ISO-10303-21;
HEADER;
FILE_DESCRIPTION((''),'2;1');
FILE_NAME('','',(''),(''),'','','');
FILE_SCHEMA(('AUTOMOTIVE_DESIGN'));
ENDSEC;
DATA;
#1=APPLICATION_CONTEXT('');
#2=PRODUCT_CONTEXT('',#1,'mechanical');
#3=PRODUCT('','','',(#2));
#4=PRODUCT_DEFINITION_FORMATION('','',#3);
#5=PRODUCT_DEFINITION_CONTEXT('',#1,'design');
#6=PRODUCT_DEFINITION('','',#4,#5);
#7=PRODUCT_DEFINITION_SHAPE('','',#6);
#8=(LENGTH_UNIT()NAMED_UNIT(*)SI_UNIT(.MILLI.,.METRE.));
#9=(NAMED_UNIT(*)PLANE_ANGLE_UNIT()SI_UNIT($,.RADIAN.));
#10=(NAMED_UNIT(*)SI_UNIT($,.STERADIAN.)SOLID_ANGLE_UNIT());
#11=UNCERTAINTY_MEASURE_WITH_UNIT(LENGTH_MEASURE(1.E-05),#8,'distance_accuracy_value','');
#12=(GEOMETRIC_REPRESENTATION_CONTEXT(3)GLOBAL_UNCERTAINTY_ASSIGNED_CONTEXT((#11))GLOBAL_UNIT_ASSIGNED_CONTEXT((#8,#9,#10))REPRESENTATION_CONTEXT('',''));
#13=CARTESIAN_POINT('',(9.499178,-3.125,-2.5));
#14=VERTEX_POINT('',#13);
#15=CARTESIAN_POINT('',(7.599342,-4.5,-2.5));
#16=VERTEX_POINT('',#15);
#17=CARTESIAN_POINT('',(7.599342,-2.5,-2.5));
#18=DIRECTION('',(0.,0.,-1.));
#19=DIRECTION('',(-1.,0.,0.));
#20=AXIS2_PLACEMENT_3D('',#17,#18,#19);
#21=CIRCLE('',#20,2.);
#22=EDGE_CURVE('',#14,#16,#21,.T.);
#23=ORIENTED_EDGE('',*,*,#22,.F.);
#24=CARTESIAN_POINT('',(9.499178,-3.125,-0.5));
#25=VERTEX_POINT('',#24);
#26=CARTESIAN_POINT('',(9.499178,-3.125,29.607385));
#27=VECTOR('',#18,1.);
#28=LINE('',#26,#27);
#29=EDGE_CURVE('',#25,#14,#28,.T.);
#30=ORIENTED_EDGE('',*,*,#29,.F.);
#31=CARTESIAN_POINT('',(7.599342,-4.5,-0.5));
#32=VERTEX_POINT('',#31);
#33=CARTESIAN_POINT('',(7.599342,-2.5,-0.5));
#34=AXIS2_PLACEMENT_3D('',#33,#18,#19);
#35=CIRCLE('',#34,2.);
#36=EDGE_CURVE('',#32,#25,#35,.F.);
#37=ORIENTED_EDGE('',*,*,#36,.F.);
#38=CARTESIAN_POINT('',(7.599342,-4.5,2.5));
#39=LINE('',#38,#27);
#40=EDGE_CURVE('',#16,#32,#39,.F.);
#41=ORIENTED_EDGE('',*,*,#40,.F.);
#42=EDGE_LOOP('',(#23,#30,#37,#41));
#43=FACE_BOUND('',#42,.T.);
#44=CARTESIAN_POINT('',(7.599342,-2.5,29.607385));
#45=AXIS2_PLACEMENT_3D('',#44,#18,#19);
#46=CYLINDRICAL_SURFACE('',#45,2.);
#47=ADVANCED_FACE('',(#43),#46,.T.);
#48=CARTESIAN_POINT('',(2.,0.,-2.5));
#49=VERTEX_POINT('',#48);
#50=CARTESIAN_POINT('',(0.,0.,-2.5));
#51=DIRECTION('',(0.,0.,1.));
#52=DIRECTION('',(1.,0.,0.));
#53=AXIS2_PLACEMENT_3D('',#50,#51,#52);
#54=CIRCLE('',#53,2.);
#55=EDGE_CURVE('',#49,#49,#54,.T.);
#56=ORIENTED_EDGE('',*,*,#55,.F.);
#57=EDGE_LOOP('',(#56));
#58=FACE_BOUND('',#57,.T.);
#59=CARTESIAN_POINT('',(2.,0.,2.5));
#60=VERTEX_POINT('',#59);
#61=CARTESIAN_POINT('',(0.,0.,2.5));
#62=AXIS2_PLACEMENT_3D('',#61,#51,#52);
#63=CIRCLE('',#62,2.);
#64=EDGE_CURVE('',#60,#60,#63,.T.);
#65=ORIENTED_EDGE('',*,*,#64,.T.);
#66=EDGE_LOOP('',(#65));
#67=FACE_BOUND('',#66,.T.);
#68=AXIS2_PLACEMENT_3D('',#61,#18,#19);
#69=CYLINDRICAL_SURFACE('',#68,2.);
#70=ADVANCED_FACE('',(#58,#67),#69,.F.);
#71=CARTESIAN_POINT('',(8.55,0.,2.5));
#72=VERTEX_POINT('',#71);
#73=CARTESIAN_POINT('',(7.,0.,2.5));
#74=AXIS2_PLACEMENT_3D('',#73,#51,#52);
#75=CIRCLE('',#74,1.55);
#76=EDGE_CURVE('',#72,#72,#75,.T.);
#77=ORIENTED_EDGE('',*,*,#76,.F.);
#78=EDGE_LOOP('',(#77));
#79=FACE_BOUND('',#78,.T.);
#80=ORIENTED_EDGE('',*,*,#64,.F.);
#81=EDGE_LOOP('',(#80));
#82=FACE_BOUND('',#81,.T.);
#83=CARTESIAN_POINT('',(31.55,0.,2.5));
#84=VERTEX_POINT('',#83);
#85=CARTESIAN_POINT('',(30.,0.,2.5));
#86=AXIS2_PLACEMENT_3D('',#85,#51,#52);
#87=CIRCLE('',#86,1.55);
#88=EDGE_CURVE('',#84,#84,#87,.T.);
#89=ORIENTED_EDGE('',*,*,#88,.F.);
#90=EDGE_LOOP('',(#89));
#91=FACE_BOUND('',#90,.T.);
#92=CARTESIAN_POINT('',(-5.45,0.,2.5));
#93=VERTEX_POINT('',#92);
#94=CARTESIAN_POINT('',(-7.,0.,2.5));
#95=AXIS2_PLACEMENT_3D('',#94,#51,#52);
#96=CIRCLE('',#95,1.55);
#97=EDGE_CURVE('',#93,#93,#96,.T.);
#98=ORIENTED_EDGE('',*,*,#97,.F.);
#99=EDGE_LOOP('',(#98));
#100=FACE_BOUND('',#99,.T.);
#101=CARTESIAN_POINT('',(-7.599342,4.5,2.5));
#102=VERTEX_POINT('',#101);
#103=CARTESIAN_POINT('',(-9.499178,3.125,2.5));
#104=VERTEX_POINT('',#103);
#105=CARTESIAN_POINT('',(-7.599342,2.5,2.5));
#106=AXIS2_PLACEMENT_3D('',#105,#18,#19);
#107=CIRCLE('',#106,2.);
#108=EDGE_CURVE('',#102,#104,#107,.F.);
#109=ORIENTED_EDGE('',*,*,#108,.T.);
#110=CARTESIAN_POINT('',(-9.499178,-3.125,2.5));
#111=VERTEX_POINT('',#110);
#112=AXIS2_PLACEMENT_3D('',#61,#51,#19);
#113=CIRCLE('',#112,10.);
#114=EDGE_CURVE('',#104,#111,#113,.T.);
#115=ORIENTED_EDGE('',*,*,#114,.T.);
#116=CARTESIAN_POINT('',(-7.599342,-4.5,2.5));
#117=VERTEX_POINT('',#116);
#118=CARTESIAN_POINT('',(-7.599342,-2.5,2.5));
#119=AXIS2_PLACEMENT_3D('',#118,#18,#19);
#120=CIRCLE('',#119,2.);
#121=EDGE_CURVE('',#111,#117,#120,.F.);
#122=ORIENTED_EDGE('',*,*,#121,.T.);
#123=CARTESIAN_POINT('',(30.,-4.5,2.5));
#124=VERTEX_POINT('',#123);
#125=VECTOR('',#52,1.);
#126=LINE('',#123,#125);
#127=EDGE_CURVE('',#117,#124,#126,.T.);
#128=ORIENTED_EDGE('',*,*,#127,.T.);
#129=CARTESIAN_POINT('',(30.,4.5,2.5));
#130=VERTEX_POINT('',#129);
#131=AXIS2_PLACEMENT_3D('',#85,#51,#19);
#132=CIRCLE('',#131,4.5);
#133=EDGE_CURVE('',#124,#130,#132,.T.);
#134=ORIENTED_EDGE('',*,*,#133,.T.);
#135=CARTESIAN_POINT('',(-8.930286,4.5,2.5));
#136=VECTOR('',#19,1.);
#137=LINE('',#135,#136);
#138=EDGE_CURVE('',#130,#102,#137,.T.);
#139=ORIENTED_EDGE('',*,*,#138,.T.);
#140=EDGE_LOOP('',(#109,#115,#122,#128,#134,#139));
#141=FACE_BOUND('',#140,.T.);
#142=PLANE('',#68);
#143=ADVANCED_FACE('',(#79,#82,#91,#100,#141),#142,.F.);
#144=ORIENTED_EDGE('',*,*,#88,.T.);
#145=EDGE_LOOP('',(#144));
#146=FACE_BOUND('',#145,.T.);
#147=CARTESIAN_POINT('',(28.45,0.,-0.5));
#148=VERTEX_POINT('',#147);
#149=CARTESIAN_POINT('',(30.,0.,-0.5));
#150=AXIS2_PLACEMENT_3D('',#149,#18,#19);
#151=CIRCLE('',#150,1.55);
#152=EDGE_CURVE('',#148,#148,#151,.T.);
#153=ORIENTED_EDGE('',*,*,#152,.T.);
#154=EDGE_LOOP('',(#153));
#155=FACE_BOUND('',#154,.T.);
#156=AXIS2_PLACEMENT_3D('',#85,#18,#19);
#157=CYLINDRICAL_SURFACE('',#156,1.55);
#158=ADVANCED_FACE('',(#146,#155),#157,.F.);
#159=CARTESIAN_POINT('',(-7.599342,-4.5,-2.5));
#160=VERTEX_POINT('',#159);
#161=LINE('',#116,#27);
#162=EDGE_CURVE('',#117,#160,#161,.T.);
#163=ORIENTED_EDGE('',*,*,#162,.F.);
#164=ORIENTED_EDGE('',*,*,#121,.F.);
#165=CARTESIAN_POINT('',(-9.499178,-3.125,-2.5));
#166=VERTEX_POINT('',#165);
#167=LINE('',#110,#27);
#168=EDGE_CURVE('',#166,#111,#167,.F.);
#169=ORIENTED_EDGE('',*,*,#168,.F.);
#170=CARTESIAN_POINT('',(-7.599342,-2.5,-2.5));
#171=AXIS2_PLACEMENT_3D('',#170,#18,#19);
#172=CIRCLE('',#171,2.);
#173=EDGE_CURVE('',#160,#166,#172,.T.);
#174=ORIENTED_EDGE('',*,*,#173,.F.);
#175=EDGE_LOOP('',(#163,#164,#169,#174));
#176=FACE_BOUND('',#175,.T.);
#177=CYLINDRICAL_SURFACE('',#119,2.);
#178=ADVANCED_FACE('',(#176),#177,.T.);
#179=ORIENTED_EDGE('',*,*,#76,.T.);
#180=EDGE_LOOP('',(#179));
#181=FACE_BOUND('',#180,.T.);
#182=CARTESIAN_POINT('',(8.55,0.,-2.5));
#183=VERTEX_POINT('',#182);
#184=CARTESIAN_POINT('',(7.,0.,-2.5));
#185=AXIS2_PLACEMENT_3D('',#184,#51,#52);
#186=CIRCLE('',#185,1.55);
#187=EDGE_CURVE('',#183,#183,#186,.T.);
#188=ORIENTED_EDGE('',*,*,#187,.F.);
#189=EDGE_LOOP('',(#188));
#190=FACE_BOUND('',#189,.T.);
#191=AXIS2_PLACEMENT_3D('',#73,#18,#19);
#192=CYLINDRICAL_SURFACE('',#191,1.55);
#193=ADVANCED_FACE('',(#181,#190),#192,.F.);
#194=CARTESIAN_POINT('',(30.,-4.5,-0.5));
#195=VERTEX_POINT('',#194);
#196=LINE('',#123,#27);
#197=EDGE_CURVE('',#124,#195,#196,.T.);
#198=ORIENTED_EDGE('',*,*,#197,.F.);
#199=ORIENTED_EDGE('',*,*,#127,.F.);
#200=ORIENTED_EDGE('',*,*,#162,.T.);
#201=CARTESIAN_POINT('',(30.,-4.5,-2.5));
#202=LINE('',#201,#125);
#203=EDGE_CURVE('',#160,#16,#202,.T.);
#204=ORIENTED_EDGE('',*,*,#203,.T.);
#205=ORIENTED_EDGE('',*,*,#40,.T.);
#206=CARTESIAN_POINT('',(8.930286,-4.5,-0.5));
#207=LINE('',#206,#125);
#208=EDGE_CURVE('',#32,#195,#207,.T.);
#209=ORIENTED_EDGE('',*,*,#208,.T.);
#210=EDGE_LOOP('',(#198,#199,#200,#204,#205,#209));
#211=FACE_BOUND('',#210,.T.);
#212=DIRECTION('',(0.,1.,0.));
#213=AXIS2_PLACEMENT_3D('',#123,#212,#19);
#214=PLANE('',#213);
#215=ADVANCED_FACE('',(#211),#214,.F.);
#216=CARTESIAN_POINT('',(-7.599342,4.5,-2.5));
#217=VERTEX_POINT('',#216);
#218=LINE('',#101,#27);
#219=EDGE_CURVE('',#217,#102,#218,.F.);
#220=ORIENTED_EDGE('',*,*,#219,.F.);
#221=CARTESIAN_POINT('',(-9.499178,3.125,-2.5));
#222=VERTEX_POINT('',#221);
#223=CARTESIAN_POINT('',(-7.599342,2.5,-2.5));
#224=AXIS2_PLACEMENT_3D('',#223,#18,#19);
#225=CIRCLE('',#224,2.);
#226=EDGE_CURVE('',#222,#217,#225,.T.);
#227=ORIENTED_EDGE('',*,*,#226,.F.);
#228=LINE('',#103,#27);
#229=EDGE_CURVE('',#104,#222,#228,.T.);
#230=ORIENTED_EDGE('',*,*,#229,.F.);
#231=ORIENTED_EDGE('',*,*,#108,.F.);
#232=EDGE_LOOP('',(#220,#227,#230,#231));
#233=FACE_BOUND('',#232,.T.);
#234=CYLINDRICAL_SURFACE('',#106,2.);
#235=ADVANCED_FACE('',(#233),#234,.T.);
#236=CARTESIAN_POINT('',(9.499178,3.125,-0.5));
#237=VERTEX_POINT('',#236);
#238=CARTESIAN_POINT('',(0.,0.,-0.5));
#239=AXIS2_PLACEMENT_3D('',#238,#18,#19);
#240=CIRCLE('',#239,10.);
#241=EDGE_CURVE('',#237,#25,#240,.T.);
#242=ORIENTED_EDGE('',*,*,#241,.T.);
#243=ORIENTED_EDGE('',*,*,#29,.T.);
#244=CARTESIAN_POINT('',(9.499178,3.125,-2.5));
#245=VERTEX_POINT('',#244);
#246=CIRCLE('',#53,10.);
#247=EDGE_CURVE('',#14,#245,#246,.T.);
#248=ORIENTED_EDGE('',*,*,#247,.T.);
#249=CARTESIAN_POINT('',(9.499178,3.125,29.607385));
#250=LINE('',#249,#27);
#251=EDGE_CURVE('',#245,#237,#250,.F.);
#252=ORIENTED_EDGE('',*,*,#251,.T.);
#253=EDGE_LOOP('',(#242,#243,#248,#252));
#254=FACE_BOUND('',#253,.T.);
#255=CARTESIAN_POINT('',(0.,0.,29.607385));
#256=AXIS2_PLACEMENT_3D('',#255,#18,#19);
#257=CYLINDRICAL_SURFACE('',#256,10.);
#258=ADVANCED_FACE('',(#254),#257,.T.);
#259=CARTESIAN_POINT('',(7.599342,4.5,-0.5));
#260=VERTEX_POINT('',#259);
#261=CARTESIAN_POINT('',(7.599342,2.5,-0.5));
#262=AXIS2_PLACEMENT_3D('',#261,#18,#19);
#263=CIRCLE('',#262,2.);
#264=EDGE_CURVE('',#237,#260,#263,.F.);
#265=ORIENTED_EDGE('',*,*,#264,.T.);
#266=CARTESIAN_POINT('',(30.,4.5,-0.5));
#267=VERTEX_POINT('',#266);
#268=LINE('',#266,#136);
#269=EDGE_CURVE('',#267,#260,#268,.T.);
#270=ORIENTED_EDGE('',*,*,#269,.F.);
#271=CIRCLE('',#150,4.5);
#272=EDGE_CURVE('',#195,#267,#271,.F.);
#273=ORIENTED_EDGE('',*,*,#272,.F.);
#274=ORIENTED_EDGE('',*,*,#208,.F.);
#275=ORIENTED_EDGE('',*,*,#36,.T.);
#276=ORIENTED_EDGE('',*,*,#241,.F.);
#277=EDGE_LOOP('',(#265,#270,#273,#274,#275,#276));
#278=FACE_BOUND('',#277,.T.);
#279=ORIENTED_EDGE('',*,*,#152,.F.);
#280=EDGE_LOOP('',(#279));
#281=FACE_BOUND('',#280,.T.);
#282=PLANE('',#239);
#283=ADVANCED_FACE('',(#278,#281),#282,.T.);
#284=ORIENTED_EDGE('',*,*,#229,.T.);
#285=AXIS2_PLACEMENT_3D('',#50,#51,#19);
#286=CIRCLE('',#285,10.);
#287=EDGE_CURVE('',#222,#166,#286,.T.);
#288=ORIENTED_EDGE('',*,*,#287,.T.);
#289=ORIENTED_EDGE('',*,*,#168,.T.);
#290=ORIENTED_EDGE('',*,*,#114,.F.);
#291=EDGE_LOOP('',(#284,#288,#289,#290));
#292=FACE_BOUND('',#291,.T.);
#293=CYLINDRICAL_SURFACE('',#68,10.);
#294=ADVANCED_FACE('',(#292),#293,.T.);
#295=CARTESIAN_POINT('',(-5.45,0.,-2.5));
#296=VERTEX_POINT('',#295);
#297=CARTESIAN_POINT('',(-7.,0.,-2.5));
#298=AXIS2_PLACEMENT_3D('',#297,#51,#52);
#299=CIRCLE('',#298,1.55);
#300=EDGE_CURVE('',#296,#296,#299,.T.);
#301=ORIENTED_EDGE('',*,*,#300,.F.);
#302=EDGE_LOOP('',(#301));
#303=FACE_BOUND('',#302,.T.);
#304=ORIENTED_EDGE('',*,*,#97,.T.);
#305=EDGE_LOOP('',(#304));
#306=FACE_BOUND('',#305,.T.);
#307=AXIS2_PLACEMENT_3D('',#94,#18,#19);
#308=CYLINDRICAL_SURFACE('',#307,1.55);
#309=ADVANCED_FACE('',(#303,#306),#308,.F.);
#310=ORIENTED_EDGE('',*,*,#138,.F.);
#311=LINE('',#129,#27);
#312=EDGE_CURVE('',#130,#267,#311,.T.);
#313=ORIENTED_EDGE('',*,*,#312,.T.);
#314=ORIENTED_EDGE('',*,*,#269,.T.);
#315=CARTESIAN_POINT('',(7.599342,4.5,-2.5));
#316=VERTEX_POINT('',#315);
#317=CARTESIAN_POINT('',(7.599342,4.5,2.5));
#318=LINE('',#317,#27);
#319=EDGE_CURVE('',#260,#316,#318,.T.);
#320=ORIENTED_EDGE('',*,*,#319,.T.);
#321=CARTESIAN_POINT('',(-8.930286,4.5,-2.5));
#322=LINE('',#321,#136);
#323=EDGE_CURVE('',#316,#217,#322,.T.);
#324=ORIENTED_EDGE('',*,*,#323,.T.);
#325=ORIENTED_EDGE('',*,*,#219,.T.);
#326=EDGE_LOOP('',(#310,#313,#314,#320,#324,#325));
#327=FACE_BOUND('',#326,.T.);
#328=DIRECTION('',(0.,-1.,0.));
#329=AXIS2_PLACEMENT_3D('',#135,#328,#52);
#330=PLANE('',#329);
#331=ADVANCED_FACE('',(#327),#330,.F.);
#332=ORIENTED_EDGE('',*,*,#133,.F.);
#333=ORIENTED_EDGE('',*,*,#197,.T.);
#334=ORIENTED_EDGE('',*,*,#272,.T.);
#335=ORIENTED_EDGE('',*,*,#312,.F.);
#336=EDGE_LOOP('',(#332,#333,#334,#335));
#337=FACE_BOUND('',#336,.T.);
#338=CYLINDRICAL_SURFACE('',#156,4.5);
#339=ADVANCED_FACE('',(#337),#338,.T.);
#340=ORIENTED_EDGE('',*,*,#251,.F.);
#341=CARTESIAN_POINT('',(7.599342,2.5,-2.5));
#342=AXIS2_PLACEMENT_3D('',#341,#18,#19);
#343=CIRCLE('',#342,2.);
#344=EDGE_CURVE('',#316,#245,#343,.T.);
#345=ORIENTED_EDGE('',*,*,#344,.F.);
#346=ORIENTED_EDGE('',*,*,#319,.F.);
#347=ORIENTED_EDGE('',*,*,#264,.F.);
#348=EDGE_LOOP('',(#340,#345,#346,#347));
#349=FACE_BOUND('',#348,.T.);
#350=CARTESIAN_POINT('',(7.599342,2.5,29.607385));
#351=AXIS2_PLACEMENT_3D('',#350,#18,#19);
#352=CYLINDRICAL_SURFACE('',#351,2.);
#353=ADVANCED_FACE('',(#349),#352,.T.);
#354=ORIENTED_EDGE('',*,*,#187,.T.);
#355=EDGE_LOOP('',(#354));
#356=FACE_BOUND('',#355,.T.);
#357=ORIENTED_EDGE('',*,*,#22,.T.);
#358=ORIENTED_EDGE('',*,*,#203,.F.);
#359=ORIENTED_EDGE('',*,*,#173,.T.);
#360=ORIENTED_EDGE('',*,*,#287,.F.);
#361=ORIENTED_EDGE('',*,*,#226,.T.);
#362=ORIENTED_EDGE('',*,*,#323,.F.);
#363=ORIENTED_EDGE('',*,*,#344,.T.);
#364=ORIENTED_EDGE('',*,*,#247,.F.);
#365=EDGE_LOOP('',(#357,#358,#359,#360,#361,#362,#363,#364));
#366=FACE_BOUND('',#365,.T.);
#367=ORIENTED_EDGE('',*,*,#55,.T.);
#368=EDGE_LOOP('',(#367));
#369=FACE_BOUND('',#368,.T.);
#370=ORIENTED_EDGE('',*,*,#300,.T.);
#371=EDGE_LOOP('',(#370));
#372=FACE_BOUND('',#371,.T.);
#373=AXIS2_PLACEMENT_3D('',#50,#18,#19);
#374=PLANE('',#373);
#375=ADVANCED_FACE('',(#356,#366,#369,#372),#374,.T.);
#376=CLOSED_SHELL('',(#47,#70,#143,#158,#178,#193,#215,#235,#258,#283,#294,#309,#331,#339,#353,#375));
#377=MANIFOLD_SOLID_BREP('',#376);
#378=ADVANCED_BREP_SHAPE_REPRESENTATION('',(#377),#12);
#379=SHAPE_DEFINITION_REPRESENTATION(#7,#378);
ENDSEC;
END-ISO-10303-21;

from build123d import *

# Parameters (mm, degrees)
SKETCH1_R           = 1.55
SKETCH1_R_2         = 2
BOSS_EXTRUDE1_DEPTH = 2.5
CUT_EXTRUDE1_START  = -2
CUT_EXTRUDE1_DEPTH  = 2
FILLET1_R           = 2


with BuildPart() as part:
    # Sketch1 → Boss-Extrude1 (new, symmetric)
    with BuildSketch(Plane.XY):
        with BuildLine():
            Line((-8.93028555, 4.5), (30, 4.5))
            ThreePointArc((30, 4.5), (34.5, 0), (30, -4.5))
            Line((30, -4.5), (-8.93028555, -4.5))
            ThreePointArc((-8.93028555, -4.5), (-10, 0), (-8.93028555, 4.5))
        make_face()
        with Locations((-7, 0)):
            Circle(SKETCH1_R, mode=Mode.SUBTRACT)
        with Locations((7, 0)):
            Circle(SKETCH1_R, mode=Mode.SUBTRACT)
        with Locations((30, 0)):
            Circle(SKETCH1_R, mode=Mode.SUBTRACT)
        Circle(SKETCH1_R_2, mode=Mode.SUBTRACT)
    extrude(amount=BOSS_EXTRUDE1_DEPTH, both=True)

    # Sketch2 → Cut-Extrude1 (cut)
    with BuildSketch(Plane(origin=(0, 0, -2.5), x_dir=(-1, 0, 0), z_dir=(0, 0, -1)).offset(CUT_EXTRUDE1_START)):
        with BuildLine():
            Line((-30, 4.5), (-8.93028555, 4.5))
            ThreePointArc((-8.93028555, 4.5), (-10, 0), (-8.93028555, -4.5))
            Line((-8.93028555, -4.5), (-30, -4.5))
            ThreePointArc((-30, -4.5), (-34.5, 0), (-30, 4.5))
        make_face()
    extrude(amount=CUT_EXTRUDE1_DEPTH, mode=Mode.SUBTRACT)

    # Fillet1
    fillet1_edges = [part.edges().sort_by_distance(p)[0] for p in [
        (8.93028555, 4.5, -1.5),
        (8.93028555, -4.5, -1.5),
        (-8.93028555, 4.5, 0),
        (-8.93028555, -4.5, 0),
    ]]
    fillet(fillet1_edges, radius=FILLET1_R)


solid = part.part
